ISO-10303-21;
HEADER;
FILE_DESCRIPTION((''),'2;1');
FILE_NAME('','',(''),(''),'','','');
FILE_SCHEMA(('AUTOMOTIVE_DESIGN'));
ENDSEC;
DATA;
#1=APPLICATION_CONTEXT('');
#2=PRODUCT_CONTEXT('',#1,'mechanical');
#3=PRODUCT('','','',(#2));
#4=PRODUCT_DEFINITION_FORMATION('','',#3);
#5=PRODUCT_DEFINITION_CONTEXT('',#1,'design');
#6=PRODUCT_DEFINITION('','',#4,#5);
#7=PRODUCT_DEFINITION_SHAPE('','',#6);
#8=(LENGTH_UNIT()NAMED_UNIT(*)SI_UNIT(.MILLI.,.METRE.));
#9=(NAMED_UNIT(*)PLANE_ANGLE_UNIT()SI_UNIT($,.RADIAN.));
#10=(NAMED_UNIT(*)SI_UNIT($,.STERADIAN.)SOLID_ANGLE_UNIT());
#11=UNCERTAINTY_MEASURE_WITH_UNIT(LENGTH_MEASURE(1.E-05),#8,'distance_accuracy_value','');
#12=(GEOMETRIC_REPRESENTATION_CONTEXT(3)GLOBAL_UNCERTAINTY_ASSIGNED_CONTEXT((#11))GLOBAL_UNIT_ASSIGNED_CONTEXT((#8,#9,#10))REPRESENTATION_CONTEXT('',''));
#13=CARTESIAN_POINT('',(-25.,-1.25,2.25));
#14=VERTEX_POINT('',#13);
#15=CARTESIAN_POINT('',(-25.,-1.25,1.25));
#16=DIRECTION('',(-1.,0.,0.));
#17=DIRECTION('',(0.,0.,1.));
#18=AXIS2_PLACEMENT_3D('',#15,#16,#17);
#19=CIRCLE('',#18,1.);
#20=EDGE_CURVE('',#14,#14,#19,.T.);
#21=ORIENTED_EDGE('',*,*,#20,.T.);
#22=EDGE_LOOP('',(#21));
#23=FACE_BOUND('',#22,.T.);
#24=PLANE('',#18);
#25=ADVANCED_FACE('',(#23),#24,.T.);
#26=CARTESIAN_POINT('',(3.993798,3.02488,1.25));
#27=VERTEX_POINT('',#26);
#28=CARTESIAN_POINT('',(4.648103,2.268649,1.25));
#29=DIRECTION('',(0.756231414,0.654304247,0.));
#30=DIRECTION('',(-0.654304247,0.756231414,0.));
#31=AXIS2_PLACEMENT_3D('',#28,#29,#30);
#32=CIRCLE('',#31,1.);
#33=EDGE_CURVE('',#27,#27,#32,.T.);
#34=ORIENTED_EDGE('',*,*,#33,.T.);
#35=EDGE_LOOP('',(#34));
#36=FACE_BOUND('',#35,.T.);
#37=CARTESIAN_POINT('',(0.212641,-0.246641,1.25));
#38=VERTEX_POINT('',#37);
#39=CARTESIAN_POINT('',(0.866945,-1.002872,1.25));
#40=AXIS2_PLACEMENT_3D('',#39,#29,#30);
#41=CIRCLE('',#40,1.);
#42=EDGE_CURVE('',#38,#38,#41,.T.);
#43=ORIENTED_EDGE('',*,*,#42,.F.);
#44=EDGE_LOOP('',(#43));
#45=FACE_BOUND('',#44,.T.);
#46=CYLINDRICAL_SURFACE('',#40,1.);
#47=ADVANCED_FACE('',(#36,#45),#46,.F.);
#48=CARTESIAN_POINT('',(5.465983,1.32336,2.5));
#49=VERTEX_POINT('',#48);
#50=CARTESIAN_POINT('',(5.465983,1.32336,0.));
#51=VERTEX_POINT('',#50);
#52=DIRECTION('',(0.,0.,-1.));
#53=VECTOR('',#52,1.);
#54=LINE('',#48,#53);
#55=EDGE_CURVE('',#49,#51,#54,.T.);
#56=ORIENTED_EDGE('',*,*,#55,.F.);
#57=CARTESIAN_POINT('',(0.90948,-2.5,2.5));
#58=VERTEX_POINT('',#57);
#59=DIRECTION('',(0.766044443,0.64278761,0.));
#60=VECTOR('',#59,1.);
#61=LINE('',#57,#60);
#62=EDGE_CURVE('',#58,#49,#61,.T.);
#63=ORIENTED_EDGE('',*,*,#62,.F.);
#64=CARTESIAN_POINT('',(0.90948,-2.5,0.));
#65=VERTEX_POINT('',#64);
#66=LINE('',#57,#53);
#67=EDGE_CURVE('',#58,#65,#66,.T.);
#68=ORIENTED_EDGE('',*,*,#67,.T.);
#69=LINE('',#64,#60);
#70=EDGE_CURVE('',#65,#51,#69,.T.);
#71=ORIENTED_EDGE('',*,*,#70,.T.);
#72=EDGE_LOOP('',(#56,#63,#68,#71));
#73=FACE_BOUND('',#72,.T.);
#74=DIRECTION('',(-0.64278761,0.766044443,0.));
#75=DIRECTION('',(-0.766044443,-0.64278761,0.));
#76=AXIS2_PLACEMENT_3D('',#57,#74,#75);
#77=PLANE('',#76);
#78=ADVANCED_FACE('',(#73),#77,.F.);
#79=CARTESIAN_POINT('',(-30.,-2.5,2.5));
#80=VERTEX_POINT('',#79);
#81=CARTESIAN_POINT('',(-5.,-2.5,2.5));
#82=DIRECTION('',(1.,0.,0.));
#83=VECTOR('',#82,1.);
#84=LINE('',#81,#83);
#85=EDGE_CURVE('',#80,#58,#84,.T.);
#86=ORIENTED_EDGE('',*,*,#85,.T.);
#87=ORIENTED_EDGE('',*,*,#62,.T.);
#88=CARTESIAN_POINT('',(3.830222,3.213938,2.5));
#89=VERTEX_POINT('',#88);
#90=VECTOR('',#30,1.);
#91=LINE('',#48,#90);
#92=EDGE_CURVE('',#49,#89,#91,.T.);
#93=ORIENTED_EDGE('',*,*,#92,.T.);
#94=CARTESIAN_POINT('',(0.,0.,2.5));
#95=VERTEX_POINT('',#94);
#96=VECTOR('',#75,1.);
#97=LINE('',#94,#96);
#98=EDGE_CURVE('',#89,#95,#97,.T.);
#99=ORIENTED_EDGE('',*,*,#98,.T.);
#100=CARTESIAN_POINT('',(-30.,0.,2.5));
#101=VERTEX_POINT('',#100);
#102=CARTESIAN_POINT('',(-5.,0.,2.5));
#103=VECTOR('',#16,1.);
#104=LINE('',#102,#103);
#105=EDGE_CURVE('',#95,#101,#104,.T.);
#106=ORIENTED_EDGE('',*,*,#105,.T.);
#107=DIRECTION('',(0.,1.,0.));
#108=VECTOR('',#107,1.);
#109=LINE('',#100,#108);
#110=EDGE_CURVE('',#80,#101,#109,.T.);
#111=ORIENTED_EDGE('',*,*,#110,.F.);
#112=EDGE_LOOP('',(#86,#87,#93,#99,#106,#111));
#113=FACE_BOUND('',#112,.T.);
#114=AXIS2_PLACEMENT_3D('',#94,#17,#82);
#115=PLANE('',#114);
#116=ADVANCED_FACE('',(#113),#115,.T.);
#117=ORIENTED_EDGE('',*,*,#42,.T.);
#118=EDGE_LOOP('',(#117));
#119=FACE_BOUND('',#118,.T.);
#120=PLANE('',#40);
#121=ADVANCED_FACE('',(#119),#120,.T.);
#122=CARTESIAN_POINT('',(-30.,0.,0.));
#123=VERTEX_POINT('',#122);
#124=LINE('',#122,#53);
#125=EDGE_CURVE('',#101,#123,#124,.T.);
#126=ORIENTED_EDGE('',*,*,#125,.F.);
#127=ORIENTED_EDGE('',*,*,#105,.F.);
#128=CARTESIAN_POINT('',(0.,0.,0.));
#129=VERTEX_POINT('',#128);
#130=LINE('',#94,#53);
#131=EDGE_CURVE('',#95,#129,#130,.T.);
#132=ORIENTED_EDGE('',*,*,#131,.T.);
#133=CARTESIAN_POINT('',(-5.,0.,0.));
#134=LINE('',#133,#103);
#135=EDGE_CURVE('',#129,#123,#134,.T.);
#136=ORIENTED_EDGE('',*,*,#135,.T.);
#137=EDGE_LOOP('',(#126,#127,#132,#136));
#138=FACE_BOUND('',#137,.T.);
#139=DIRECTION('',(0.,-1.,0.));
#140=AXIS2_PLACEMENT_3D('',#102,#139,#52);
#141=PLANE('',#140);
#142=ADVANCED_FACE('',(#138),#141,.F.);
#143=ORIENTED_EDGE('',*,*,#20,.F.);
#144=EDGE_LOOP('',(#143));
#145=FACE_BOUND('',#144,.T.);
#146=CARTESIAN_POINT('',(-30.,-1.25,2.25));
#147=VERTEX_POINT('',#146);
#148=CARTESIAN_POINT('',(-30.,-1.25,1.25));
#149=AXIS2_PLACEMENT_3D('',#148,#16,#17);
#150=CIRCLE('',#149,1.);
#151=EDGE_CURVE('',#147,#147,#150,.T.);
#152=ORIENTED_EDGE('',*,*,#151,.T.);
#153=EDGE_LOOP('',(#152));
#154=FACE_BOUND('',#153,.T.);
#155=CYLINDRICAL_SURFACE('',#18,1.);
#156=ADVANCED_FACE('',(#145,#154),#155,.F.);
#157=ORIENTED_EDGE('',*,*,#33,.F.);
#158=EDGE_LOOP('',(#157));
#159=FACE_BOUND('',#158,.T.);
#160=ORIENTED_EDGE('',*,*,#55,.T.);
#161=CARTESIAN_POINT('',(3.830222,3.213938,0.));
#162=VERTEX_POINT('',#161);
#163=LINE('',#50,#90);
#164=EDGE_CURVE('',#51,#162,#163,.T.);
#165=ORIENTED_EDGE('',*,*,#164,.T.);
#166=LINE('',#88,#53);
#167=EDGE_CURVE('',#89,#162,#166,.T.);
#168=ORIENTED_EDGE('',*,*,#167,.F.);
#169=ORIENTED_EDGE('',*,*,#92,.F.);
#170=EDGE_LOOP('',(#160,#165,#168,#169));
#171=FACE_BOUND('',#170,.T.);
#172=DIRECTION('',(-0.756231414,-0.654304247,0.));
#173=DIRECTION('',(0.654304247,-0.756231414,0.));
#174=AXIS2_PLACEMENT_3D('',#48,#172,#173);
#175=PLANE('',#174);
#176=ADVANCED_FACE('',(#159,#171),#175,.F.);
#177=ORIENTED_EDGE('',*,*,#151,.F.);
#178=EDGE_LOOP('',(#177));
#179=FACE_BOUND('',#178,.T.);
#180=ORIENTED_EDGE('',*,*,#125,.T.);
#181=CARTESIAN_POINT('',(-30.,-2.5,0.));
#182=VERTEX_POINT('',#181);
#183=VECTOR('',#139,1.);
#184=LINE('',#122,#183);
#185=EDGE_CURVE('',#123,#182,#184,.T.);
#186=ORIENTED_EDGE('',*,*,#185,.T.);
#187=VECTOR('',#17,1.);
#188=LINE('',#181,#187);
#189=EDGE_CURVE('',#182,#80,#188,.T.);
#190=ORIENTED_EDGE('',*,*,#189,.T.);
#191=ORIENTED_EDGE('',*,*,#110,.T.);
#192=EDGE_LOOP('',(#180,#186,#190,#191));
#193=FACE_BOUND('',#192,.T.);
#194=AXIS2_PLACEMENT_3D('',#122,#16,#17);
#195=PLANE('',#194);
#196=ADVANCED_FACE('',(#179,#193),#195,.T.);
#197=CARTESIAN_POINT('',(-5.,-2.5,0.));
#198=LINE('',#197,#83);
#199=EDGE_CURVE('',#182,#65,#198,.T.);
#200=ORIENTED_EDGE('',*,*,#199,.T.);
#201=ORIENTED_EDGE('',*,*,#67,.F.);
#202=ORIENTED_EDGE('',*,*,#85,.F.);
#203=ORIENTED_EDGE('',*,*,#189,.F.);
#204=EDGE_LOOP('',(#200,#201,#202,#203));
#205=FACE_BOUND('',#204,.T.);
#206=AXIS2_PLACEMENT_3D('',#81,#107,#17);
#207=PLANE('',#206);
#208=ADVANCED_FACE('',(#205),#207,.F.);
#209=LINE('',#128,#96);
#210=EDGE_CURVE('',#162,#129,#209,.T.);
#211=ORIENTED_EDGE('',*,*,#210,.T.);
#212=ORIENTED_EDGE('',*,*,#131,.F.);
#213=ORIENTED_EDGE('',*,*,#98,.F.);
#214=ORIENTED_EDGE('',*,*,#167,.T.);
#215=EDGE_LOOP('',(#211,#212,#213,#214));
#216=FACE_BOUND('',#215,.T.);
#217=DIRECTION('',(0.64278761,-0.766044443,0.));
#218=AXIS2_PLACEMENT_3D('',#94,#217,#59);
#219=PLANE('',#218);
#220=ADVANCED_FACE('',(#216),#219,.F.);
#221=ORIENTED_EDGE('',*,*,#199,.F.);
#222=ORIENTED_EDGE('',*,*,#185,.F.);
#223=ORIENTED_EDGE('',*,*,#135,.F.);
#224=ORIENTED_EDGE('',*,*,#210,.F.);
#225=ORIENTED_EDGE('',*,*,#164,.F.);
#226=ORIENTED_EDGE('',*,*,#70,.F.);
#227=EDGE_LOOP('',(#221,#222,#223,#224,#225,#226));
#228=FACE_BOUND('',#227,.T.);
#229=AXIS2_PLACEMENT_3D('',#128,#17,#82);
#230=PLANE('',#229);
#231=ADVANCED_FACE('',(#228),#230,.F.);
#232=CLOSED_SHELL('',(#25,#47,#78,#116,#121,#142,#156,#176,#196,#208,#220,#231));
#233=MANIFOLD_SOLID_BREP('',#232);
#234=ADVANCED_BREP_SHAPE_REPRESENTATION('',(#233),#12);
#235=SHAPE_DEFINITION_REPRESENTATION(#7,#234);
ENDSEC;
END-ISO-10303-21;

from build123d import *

# Parameters (mm, degrees)
BOSS_EXTRUDE1_DEPTH = 2.5
SKETCH2_R           = 1
CUT_EXTRUDE1_DEPTH  = 5
SKETCH3_R           = 1
CUT_EXTRUDE2_DEPTH  = 5
SKETCH5_R           = 1
BOSS_EXTRUDE2_DEPTH = 5
SKETCH6_W           = 2.5
SKETCH6_H           = 2.5
BOSS_EXTRUDE3_DEPTH = 25
SKETCH7_R           = 1
CUT_EXTRUDE3_DEPTH  = 5


with BuildPart() as part:
    # Sketch1 → Boss-Extrude1 (new body)
    with BuildSketch(Plane.XY):
        Polygon((-5, 0), (0, 0), (3.830222216, 3.213938048), (5.465982834, 1.323359513), (0.909480399, -2.5), (-5, -2.5), align=None)
    extrude(amount=BOSS_EXTRUDE1_DEPTH)

    # Sketch2 → Cut-Extrude1 (cut)
    with BuildSketch(Plane(origin=(3.780724263, 3.271146765, 0), x_dir=(0, 0, -1), z_dir=(0.7562314141303861, 0.6543042474891606, 0))):
        with Locations(Location((-1.25, -1.325649749, 0), (0, 0, 90))):
            Circle(SKETCH2_R)
    extrude(amount=-CUT_EXTRUDE1_DEPTH, mode=Mode.SUBTRACT)

    # Sketch3 → Cut-Extrude2 (cut)
    with BuildSketch(Plane.ZY.offset(5)):
        with Locations((1.25, -1.25)):
            Circle(SKETCH3_R)
    extrude(amount=-CUT_EXTRUDE2_DEPTH, mode=Mode.SUBTRACT)

    # Sketch5 → Boss-Extrude2 (add)
    with BuildSketch(Plane.ZY.offset(5)):
        with Locations((1.25, -1.25)):
            Circle(SKETCH5_R)
    extrude(amount=-BOSS_EXTRUDE2_DEPTH)

    # Sketch6 → Boss-Extrude3 (add)
    with BuildSketch(Plane.ZY.offset(5)):
        with Locations((1.25, -1.25)):
            Rectangle(SKETCH6_W, SKETCH6_H)
    extrude(amount=BOSS_EXTRUDE3_DEPTH)

    # Sketch7 → Cut-Extrude3 (cut)
    with BuildSketch(Plane.ZY.offset(30)):
        with Locations((1.25, -1.25)):
            Circle(SKETCH7_R)
    extrude(amount=-CUT_EXTRUDE3_DEPTH, mode=Mode.SUBTRACT)


solid = part.part
